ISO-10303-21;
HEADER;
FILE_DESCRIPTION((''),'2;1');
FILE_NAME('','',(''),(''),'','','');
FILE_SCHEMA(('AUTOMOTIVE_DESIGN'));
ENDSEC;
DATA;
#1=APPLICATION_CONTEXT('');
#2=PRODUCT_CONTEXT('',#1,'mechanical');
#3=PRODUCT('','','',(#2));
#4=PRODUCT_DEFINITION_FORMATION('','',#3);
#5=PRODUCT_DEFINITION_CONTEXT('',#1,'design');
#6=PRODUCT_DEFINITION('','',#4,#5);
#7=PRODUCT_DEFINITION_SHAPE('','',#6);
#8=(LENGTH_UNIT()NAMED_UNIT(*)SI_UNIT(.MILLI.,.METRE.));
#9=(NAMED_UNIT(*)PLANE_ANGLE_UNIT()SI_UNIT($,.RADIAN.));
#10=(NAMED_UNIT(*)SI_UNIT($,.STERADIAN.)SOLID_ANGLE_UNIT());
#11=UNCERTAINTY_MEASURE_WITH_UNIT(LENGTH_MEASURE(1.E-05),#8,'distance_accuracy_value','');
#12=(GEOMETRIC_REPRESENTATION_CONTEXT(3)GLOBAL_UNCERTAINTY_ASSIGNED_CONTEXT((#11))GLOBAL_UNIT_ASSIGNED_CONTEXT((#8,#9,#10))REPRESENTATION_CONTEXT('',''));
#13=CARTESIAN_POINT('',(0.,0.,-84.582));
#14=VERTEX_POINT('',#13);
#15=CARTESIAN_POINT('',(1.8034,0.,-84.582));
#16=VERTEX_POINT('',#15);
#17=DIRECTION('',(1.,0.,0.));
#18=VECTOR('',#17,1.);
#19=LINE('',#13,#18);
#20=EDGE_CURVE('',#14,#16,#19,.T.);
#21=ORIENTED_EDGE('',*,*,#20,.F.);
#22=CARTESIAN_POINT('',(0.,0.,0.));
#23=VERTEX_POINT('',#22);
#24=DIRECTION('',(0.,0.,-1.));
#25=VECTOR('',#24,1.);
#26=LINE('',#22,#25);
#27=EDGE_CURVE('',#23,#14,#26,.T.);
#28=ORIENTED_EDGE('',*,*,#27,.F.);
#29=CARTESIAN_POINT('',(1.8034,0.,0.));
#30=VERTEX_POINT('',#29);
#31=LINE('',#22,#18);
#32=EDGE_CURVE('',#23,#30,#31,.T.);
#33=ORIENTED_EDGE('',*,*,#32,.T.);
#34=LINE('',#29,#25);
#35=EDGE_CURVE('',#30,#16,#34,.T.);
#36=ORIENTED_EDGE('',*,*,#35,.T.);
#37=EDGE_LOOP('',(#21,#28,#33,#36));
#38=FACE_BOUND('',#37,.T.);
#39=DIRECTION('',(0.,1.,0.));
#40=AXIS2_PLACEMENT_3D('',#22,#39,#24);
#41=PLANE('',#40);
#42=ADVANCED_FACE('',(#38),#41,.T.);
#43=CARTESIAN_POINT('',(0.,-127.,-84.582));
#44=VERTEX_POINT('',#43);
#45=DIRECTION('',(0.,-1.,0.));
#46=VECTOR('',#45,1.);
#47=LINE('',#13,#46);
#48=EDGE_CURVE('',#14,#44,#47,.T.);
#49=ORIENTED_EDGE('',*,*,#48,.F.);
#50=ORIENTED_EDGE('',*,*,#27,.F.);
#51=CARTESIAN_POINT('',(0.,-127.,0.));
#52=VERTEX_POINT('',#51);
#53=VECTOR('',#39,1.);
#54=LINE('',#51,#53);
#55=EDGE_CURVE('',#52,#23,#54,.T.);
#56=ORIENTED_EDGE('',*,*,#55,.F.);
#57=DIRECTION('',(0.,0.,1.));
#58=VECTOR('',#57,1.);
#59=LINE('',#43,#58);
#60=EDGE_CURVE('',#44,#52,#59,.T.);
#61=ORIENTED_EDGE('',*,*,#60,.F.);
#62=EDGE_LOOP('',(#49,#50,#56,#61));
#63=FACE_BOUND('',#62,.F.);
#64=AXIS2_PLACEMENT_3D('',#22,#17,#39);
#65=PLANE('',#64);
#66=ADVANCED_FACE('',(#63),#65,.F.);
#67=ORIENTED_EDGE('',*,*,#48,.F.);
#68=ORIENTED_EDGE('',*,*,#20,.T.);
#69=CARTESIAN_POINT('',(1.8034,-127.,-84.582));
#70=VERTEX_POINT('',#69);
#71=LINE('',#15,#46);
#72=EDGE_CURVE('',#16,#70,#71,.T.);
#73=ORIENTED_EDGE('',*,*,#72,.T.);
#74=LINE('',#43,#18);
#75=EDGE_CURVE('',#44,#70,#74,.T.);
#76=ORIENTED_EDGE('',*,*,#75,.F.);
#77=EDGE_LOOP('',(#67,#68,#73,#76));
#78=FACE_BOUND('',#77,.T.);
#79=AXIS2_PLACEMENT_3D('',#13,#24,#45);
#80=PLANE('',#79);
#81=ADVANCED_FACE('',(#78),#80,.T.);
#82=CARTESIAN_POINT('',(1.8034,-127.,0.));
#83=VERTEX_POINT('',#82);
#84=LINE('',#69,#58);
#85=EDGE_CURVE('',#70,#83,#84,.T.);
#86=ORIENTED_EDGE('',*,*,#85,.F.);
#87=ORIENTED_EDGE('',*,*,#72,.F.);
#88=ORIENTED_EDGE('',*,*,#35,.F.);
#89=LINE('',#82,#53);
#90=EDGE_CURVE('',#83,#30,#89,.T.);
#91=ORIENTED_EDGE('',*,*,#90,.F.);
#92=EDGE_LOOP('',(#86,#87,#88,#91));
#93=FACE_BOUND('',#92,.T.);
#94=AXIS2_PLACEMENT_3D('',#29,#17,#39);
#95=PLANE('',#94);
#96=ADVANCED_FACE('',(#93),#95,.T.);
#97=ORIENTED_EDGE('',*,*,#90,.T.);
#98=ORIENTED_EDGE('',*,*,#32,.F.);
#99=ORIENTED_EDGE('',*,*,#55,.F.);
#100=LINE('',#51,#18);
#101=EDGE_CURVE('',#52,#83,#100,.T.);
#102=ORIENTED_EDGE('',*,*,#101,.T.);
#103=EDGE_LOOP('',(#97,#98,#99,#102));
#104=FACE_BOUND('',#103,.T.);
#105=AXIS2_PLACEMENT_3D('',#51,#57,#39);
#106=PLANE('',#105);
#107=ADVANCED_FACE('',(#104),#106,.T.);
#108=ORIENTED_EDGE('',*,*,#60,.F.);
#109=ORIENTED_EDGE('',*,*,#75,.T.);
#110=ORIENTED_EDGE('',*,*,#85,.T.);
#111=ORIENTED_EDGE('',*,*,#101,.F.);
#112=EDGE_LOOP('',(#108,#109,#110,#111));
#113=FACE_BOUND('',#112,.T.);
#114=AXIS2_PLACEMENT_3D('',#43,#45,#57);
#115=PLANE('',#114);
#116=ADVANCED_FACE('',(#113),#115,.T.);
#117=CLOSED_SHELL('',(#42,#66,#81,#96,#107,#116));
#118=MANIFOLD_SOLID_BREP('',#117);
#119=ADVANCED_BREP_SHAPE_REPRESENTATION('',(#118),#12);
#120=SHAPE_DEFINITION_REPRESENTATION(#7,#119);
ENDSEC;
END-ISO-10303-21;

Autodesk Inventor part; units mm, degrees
ref_plane "YZ Plane" through (0, 0, 0) normal (1, 0, 0) x (0, 1, 0)
ref_plane "XZ Plane" through (0, 0, 0) normal (0, 1, 0) x (-1, 0, 0)
ref_plane "XY Plane" through (0, 0, 0) normal (0, 0, 1) x (1, 0, 0)
sketch "Sketch1" plane through (0, 0, 0) normal (1, 0, 0) x (0, 1, 0)
  point P0 (0, 0)
sketch "Sketch2" plane through (0, 0, 0) normal (1, 0, 0) x (0, 1, 0)
  line L0 (0, 0) -> (0, -84.582)
  line L1 (0, -84.582) -> (-127, -84.582)
  line L2 (-127, -84.582) -> (-127, 0)
  line L3 (-127, 0) -> (0, 0)
  dimension "d0" = 84.582
  dimension "d1" = 127
extrude "Extrusion1" add sketch "Sketch2" along normal blind 1.8034
properties part number "Pickup Flap" material "Rubber"
